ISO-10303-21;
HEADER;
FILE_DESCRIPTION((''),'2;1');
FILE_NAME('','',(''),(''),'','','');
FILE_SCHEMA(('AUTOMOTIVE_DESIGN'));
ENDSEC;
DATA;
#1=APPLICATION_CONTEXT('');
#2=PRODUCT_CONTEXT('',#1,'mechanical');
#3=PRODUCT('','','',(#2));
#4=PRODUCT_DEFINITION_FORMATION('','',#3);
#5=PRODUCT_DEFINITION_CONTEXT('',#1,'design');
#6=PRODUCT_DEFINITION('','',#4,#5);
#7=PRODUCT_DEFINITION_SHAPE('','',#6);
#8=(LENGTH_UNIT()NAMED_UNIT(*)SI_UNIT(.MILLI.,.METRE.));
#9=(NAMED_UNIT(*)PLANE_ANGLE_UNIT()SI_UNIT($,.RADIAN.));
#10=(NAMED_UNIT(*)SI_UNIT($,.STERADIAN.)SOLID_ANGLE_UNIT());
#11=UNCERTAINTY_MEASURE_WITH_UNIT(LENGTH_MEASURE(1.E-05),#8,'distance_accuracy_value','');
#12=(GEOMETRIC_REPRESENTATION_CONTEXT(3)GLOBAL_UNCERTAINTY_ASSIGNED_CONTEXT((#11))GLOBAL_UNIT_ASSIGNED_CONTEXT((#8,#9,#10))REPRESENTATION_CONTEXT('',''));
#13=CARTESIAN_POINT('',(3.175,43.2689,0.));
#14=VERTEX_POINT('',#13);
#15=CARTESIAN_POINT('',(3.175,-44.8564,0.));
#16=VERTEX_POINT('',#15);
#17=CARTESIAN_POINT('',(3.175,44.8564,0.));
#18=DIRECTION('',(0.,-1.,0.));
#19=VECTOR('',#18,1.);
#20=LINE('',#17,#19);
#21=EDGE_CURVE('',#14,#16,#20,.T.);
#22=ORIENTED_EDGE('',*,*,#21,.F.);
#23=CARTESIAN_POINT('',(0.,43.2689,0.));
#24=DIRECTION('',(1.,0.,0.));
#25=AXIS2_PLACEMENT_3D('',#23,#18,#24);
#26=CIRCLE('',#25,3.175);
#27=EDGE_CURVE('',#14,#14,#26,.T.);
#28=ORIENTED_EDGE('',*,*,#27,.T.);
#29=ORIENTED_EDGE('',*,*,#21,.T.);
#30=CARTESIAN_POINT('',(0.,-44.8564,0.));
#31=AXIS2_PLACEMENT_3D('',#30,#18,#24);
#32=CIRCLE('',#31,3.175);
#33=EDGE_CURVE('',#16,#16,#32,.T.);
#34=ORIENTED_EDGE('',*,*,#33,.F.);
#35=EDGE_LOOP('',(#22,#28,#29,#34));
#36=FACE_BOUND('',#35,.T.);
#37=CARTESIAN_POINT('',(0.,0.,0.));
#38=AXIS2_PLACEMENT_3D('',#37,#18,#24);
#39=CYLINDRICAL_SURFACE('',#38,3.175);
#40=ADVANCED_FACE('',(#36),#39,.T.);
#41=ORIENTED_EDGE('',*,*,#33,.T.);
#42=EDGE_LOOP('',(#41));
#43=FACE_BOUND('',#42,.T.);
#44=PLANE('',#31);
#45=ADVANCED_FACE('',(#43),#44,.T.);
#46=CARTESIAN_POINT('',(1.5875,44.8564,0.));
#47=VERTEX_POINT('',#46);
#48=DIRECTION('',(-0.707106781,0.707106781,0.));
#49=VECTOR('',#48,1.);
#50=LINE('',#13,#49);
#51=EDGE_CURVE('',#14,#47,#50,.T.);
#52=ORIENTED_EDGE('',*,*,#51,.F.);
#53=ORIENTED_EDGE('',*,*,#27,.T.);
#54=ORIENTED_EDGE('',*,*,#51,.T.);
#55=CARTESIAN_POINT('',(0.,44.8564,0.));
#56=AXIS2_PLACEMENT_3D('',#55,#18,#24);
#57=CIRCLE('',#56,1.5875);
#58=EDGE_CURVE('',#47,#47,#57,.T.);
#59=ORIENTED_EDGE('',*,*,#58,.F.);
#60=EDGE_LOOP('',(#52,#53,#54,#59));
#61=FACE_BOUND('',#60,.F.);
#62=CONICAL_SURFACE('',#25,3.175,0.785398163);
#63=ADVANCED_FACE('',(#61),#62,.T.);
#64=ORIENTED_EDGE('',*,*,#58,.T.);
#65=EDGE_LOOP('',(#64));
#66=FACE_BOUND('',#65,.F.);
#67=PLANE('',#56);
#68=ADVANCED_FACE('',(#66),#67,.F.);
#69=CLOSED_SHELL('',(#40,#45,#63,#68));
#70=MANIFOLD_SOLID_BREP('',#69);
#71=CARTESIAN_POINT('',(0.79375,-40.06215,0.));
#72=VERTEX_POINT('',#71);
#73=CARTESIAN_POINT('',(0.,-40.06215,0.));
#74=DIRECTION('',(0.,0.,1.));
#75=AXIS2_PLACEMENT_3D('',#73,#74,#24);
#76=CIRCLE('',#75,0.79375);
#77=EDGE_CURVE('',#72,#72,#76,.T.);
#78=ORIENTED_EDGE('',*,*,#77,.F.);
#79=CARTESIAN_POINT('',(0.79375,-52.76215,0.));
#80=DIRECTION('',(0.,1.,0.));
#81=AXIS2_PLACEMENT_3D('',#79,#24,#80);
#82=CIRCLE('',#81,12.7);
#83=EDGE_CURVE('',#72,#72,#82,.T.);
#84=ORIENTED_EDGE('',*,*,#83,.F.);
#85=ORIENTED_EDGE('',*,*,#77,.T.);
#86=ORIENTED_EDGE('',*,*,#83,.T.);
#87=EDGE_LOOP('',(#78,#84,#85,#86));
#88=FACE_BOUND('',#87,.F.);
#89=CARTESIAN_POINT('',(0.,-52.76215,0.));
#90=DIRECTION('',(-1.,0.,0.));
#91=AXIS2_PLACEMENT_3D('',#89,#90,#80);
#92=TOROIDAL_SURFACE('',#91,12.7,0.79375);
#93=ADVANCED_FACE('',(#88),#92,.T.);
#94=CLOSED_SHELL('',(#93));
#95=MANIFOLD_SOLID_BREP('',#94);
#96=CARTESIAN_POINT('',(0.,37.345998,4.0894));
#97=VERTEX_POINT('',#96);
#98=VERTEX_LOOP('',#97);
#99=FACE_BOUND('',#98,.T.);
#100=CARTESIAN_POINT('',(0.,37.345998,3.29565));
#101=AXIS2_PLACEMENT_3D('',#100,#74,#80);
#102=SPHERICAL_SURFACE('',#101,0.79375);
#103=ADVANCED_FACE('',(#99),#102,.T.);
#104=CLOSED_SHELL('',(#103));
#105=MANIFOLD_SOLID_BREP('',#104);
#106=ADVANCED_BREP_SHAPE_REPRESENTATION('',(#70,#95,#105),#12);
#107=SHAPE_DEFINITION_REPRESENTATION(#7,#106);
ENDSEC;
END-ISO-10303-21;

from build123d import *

# Parameters (mm, degrees)
F0_R     = 3.175
F1_DEPTH = 44.8564
F2_SIZE  = 1.5875
F5_R     = 0.79375


with BuildPart() as f1:
    # F0 (on Front) → F1 (new body, symmetric)
    with BuildSketch(Plane.XZ):
        Circle(F0_R)
    extrude(amount=F1_DEPTH, both=True)

    # F2
    f2_edges = [f1.edges().sort_by_distance(p)[0] for p in [
        (-3.175, 44.8564, 0),
    ]]
    chamfer(f2_edges, length=F2_SIZE)


with BuildPart() as f4:
    # F3 (on Right) → F4 (revolve)
    with BuildSketch(Plane.YZ):
        with BuildLine():
            Line((37.345998, 4.0894), (37.345998, 2.5019))
            ThreePointArc((37.345998, 2.5019), (38.139748, 3.29565), (37.345998, 4.0894))
        make_face()
    revolve(axis=Axis((0, 37.345998, 5.348319), (0, 0, 1)))


with BuildPart() as f6:
    # F5 (on Top) → F6 (revolve)
    with BuildSketch(Plane.XY):
        with Locations((0, -40.06215)):
            Circle(F5_R)
    revolve(axis=Axis((5.505938, -52.76215, 0), (1, 0, 0)))


solid = Compound([f1.part, f4.part, f6.part])
